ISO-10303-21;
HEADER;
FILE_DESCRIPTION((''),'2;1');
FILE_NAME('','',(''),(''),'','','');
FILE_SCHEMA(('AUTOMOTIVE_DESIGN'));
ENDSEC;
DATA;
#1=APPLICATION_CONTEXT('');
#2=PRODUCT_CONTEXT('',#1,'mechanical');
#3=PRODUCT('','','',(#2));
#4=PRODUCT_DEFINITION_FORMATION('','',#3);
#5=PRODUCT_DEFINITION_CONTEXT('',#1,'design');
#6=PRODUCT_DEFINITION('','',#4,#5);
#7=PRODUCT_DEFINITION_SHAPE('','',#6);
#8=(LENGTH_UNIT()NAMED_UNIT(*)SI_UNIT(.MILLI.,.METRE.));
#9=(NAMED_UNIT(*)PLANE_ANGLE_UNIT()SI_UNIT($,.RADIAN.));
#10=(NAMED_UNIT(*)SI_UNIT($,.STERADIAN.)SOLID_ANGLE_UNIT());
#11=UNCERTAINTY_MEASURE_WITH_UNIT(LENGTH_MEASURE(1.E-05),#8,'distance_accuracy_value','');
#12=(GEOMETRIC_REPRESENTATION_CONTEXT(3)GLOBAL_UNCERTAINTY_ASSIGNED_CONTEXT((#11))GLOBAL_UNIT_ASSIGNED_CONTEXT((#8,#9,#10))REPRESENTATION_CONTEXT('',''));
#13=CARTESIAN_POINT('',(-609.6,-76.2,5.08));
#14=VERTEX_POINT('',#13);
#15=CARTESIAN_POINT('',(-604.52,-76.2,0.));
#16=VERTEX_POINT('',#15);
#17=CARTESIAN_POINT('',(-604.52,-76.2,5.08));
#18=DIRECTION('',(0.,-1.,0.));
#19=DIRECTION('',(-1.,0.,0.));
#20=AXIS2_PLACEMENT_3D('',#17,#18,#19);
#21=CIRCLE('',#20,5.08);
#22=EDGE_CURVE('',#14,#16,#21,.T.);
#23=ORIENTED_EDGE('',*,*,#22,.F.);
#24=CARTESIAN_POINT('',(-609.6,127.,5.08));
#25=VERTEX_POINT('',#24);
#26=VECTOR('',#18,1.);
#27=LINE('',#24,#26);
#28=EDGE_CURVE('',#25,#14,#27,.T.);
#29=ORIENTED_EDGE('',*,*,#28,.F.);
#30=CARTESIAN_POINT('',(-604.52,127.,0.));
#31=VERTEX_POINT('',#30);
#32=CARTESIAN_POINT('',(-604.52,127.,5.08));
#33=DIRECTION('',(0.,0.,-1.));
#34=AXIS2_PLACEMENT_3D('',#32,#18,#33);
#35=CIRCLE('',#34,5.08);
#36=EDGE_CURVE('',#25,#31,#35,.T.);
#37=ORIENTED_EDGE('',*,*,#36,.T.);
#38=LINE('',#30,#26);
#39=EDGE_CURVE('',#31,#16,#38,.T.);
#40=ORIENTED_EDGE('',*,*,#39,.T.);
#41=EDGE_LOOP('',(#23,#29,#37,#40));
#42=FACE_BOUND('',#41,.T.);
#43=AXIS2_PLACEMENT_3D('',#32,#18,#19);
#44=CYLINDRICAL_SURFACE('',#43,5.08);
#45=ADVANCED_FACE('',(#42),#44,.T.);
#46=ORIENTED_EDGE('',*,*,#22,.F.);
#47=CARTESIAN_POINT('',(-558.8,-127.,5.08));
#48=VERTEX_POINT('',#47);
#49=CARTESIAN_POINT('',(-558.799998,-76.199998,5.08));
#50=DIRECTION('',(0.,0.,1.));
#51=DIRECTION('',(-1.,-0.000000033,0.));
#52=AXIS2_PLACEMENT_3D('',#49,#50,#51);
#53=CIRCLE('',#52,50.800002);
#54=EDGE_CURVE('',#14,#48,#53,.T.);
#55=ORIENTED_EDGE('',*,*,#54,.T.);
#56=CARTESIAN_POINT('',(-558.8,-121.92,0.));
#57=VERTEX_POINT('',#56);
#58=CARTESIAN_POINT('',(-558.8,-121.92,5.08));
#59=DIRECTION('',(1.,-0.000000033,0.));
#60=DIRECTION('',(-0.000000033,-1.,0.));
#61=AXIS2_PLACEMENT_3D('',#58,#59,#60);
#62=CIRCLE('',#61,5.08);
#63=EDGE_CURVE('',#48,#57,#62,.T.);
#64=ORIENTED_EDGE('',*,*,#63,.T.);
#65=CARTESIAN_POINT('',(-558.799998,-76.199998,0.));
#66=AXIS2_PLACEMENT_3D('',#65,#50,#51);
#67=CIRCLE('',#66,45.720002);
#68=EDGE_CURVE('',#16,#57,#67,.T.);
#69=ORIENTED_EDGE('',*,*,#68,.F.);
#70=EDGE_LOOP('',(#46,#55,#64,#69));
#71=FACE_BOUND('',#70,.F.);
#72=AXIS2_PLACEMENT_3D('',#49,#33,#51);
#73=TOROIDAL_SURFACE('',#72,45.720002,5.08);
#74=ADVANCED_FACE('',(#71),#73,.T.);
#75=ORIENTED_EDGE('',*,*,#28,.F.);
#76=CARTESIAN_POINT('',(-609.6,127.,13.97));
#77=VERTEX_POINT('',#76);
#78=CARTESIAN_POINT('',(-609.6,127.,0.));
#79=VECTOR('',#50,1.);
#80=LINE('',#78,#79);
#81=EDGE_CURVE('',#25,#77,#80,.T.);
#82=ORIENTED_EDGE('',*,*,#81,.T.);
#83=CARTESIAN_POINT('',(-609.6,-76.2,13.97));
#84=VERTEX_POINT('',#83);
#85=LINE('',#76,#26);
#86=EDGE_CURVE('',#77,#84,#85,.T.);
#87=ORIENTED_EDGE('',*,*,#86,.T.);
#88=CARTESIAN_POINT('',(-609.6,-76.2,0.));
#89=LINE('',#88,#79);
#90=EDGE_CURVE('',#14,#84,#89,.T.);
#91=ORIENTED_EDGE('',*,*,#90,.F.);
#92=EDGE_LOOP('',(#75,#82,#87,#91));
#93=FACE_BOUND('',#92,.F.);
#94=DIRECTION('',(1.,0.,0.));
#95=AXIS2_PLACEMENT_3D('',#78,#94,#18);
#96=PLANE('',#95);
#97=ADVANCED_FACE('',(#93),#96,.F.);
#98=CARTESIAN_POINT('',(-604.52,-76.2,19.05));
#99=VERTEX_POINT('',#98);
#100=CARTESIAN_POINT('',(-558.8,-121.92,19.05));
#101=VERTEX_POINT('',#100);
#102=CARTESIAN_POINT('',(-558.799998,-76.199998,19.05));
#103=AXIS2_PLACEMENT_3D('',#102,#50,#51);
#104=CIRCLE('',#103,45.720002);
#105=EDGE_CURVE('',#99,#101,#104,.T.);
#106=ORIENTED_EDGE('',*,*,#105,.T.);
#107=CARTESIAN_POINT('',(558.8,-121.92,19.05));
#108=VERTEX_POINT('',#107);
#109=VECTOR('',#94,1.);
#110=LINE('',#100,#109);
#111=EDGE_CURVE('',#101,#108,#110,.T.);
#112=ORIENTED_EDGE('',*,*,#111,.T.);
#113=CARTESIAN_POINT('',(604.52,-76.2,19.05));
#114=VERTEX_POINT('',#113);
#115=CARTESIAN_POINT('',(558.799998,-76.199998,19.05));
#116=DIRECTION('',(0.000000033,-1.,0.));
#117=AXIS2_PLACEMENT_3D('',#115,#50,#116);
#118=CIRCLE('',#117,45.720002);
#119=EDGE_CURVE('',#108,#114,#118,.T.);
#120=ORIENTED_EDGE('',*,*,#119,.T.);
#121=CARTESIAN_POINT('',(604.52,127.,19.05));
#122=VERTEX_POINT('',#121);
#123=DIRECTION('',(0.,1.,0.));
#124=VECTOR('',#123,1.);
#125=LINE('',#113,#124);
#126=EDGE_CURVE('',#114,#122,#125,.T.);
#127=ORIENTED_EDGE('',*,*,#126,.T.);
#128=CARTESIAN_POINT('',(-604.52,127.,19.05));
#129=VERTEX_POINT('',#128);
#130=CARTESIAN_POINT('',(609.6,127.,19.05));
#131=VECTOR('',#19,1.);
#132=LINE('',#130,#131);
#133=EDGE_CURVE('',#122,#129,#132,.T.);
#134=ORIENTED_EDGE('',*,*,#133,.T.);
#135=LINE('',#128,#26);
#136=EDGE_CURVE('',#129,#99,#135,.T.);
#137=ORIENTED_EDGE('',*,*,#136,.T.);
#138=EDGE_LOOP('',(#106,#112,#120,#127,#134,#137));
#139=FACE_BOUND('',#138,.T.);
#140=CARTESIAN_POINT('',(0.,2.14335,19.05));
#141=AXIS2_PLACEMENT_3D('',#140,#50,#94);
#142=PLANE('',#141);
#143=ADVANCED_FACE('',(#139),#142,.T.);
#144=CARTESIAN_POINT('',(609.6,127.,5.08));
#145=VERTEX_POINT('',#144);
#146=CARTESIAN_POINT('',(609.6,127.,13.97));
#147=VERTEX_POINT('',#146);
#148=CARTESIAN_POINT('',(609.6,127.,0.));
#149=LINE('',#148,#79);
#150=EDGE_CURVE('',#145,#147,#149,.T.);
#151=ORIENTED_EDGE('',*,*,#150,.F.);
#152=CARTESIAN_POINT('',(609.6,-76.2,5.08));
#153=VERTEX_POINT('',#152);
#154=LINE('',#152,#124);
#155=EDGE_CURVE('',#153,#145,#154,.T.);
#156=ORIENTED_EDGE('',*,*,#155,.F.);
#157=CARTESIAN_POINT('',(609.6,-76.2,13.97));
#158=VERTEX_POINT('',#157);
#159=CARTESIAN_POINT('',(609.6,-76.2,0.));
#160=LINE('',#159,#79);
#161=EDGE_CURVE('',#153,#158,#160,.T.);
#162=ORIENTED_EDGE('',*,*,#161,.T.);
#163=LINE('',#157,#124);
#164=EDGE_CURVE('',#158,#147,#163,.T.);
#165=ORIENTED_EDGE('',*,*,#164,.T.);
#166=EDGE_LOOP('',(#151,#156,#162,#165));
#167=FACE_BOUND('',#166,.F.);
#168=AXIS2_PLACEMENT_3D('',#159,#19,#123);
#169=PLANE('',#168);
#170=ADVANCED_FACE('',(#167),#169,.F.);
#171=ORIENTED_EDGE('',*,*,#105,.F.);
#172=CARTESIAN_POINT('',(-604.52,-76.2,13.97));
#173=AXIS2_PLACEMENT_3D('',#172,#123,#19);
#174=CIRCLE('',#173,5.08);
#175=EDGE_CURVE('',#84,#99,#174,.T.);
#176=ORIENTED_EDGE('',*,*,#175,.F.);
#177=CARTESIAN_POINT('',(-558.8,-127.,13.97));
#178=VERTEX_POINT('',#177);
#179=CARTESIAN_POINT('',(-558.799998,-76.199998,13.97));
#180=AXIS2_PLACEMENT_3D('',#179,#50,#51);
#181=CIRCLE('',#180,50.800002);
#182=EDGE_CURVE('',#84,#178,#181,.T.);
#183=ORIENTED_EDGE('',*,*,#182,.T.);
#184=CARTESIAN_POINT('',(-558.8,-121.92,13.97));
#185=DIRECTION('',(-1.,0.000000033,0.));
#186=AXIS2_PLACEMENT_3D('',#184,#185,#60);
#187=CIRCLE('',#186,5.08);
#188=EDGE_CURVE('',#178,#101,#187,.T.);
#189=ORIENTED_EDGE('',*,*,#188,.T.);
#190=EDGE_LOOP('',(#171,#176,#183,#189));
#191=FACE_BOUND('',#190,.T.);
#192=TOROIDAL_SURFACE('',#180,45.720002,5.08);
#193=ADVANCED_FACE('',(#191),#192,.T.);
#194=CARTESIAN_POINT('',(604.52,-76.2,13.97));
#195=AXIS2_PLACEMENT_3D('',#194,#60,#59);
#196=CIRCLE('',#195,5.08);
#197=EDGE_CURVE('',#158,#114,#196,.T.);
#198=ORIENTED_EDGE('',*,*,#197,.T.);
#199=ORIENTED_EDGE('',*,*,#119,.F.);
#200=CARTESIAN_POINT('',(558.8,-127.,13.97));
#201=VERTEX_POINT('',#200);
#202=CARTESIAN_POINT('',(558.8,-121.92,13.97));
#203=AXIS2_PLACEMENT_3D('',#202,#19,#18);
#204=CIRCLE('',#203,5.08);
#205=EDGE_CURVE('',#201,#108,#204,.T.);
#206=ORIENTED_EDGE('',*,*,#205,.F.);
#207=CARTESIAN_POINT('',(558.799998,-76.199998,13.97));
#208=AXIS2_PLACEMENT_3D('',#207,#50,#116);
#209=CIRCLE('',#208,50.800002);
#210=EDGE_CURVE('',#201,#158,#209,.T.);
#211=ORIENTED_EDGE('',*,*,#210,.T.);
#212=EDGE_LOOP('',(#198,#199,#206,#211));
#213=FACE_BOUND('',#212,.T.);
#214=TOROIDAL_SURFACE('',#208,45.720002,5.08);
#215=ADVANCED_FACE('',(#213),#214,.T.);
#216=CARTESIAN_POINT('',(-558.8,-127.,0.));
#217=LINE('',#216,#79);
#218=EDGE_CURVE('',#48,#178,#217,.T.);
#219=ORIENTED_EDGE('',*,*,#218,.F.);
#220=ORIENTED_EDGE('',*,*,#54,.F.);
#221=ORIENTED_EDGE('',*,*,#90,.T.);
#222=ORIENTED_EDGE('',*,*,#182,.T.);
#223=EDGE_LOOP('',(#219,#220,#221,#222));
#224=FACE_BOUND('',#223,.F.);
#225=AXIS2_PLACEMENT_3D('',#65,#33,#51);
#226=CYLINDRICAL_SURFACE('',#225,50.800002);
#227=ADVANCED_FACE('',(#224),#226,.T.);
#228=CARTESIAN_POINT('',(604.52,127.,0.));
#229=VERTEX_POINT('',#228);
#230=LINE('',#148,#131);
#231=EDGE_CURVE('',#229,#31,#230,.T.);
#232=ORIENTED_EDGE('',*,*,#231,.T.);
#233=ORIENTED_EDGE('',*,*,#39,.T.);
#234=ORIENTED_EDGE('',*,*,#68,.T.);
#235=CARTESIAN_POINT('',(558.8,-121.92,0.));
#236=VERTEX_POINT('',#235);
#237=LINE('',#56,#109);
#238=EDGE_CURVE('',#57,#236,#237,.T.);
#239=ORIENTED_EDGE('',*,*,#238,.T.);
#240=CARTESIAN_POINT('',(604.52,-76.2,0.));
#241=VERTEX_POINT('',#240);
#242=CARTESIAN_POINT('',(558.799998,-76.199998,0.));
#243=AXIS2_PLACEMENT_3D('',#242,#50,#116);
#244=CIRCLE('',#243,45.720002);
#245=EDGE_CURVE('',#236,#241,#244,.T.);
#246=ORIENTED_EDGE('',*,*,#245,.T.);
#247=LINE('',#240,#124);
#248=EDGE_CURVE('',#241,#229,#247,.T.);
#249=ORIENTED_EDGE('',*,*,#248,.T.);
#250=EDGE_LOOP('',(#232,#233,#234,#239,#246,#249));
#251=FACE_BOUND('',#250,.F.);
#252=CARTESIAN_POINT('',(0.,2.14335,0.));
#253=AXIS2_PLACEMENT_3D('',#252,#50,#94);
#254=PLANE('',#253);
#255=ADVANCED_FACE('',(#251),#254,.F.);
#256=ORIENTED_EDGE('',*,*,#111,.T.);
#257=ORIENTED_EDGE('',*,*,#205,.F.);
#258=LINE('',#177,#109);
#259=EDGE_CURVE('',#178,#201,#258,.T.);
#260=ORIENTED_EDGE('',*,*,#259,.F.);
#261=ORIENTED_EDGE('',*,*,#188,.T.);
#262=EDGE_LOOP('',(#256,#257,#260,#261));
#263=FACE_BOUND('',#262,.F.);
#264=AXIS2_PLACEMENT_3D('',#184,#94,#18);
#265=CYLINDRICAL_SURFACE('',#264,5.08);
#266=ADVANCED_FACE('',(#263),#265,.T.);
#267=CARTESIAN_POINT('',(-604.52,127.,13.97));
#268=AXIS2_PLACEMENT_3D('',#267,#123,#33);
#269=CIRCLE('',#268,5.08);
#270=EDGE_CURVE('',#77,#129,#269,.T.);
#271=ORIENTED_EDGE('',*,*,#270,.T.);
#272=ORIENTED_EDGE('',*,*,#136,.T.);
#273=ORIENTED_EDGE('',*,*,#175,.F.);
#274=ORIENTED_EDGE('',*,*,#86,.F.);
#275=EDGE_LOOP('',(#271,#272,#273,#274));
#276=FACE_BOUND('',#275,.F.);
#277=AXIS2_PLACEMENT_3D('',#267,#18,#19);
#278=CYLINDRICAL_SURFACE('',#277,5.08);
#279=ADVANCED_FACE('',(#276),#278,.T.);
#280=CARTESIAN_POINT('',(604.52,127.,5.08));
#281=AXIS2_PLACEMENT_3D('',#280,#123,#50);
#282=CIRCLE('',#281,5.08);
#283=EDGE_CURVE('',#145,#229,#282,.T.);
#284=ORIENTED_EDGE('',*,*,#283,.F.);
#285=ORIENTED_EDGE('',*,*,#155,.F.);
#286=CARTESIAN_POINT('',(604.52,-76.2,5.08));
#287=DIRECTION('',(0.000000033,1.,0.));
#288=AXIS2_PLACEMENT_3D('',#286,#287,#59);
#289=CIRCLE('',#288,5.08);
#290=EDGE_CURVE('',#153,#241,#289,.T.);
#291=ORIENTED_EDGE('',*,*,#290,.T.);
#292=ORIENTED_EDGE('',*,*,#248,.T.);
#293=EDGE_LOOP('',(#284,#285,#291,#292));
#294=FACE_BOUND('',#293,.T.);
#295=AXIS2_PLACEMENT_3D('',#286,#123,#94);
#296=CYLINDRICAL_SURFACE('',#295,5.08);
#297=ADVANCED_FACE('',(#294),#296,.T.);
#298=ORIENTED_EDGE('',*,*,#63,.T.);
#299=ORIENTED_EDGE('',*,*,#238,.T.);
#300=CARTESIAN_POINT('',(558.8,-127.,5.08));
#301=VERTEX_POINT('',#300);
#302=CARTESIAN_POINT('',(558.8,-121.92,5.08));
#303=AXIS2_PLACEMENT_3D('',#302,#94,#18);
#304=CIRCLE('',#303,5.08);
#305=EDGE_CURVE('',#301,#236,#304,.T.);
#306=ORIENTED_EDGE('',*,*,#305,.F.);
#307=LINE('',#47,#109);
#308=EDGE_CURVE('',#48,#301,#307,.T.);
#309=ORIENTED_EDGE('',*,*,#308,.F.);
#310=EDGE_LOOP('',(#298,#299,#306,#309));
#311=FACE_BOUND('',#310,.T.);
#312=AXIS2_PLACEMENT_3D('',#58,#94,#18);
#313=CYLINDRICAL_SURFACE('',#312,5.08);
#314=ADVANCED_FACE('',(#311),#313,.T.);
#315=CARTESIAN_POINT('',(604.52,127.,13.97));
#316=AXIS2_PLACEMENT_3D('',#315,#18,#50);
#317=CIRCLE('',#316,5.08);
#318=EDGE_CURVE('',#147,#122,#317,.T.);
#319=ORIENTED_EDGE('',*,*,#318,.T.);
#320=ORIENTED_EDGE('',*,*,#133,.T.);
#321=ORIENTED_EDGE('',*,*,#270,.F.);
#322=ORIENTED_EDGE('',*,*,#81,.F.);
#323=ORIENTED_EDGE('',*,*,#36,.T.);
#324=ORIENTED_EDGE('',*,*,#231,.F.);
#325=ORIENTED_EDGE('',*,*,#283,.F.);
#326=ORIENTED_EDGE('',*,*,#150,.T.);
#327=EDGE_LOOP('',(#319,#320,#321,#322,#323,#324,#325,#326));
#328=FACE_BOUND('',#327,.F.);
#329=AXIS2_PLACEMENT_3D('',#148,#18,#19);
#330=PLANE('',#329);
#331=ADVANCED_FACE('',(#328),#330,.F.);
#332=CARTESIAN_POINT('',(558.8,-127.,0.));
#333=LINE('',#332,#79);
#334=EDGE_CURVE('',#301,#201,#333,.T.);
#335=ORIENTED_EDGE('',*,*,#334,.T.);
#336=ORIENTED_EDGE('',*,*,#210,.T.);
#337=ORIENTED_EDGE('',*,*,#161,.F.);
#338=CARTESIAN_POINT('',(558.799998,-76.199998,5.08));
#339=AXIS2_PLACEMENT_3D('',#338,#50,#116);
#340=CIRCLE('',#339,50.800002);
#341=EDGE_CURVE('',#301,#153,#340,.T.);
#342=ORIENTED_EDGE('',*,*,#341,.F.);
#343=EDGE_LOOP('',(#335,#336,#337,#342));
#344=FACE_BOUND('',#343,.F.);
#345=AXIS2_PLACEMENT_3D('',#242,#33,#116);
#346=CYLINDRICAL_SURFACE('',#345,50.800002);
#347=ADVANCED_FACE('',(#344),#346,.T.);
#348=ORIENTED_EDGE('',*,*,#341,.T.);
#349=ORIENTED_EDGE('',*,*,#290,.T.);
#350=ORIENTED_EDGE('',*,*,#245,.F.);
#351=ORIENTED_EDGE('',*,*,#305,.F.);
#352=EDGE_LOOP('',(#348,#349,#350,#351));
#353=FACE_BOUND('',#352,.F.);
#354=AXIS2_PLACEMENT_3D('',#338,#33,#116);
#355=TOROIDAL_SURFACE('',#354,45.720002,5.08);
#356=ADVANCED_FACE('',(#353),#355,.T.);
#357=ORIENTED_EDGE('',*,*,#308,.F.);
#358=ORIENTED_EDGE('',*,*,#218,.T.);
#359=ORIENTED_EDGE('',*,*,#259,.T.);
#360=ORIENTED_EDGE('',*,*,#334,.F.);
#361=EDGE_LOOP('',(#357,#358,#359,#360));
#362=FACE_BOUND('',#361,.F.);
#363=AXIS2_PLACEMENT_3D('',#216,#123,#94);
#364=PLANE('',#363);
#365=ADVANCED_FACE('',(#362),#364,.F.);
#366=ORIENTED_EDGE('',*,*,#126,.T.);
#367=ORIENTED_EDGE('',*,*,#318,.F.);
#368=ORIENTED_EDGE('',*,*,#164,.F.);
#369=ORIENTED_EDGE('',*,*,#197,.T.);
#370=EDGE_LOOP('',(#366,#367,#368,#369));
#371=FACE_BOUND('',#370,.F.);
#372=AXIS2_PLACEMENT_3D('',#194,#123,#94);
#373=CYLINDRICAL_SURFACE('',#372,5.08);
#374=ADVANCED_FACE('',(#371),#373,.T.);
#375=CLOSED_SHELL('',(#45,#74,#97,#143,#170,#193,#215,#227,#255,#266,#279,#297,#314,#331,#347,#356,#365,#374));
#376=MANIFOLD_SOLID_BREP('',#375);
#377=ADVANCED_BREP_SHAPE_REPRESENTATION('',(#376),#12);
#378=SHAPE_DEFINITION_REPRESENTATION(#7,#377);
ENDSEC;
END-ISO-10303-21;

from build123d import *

# Parameters (mm, degrees)
F1_DEPTH = 19.05
F2_R     = 5.08
F3_R     = 5.08


with BuildPart() as f1:
    # F0 (on Top) → F1 (new body)
    with BuildSketch(Plane.XY):
        with BuildLine():
            Line((-558.8, -127), (558.8, -127))
            ThreePointArc((558.8, -127), (594.721024, -112.121024), (609.6, -76.2))
            Line((609.6, -76.2), (609.6, 127))
            Line((609.6, 127), (-609.6, 127))
            Line((-609.6, 127), (-609.6, -76.2))
            ThreePointArc((-609.6, -76.2), (-594.721024, -112.121024), (-558.8, -127))
        make_face()
    extrude(amount=F1_DEPTH)

    # F2
    f2_edges = [f1.edges().sort_by_distance(p)[0] for p in [
        (0, -127, 19.05),
    ]]
    fillet(f2_edges, radius=F2_R)

    # F3
    f3_edges = [f1.edges().sort_by_distance(p)[0] for p in [
        (0, -127, 0),
    ]]
    fillet(f3_edges, radius=F3_R)


solid = f1.part
